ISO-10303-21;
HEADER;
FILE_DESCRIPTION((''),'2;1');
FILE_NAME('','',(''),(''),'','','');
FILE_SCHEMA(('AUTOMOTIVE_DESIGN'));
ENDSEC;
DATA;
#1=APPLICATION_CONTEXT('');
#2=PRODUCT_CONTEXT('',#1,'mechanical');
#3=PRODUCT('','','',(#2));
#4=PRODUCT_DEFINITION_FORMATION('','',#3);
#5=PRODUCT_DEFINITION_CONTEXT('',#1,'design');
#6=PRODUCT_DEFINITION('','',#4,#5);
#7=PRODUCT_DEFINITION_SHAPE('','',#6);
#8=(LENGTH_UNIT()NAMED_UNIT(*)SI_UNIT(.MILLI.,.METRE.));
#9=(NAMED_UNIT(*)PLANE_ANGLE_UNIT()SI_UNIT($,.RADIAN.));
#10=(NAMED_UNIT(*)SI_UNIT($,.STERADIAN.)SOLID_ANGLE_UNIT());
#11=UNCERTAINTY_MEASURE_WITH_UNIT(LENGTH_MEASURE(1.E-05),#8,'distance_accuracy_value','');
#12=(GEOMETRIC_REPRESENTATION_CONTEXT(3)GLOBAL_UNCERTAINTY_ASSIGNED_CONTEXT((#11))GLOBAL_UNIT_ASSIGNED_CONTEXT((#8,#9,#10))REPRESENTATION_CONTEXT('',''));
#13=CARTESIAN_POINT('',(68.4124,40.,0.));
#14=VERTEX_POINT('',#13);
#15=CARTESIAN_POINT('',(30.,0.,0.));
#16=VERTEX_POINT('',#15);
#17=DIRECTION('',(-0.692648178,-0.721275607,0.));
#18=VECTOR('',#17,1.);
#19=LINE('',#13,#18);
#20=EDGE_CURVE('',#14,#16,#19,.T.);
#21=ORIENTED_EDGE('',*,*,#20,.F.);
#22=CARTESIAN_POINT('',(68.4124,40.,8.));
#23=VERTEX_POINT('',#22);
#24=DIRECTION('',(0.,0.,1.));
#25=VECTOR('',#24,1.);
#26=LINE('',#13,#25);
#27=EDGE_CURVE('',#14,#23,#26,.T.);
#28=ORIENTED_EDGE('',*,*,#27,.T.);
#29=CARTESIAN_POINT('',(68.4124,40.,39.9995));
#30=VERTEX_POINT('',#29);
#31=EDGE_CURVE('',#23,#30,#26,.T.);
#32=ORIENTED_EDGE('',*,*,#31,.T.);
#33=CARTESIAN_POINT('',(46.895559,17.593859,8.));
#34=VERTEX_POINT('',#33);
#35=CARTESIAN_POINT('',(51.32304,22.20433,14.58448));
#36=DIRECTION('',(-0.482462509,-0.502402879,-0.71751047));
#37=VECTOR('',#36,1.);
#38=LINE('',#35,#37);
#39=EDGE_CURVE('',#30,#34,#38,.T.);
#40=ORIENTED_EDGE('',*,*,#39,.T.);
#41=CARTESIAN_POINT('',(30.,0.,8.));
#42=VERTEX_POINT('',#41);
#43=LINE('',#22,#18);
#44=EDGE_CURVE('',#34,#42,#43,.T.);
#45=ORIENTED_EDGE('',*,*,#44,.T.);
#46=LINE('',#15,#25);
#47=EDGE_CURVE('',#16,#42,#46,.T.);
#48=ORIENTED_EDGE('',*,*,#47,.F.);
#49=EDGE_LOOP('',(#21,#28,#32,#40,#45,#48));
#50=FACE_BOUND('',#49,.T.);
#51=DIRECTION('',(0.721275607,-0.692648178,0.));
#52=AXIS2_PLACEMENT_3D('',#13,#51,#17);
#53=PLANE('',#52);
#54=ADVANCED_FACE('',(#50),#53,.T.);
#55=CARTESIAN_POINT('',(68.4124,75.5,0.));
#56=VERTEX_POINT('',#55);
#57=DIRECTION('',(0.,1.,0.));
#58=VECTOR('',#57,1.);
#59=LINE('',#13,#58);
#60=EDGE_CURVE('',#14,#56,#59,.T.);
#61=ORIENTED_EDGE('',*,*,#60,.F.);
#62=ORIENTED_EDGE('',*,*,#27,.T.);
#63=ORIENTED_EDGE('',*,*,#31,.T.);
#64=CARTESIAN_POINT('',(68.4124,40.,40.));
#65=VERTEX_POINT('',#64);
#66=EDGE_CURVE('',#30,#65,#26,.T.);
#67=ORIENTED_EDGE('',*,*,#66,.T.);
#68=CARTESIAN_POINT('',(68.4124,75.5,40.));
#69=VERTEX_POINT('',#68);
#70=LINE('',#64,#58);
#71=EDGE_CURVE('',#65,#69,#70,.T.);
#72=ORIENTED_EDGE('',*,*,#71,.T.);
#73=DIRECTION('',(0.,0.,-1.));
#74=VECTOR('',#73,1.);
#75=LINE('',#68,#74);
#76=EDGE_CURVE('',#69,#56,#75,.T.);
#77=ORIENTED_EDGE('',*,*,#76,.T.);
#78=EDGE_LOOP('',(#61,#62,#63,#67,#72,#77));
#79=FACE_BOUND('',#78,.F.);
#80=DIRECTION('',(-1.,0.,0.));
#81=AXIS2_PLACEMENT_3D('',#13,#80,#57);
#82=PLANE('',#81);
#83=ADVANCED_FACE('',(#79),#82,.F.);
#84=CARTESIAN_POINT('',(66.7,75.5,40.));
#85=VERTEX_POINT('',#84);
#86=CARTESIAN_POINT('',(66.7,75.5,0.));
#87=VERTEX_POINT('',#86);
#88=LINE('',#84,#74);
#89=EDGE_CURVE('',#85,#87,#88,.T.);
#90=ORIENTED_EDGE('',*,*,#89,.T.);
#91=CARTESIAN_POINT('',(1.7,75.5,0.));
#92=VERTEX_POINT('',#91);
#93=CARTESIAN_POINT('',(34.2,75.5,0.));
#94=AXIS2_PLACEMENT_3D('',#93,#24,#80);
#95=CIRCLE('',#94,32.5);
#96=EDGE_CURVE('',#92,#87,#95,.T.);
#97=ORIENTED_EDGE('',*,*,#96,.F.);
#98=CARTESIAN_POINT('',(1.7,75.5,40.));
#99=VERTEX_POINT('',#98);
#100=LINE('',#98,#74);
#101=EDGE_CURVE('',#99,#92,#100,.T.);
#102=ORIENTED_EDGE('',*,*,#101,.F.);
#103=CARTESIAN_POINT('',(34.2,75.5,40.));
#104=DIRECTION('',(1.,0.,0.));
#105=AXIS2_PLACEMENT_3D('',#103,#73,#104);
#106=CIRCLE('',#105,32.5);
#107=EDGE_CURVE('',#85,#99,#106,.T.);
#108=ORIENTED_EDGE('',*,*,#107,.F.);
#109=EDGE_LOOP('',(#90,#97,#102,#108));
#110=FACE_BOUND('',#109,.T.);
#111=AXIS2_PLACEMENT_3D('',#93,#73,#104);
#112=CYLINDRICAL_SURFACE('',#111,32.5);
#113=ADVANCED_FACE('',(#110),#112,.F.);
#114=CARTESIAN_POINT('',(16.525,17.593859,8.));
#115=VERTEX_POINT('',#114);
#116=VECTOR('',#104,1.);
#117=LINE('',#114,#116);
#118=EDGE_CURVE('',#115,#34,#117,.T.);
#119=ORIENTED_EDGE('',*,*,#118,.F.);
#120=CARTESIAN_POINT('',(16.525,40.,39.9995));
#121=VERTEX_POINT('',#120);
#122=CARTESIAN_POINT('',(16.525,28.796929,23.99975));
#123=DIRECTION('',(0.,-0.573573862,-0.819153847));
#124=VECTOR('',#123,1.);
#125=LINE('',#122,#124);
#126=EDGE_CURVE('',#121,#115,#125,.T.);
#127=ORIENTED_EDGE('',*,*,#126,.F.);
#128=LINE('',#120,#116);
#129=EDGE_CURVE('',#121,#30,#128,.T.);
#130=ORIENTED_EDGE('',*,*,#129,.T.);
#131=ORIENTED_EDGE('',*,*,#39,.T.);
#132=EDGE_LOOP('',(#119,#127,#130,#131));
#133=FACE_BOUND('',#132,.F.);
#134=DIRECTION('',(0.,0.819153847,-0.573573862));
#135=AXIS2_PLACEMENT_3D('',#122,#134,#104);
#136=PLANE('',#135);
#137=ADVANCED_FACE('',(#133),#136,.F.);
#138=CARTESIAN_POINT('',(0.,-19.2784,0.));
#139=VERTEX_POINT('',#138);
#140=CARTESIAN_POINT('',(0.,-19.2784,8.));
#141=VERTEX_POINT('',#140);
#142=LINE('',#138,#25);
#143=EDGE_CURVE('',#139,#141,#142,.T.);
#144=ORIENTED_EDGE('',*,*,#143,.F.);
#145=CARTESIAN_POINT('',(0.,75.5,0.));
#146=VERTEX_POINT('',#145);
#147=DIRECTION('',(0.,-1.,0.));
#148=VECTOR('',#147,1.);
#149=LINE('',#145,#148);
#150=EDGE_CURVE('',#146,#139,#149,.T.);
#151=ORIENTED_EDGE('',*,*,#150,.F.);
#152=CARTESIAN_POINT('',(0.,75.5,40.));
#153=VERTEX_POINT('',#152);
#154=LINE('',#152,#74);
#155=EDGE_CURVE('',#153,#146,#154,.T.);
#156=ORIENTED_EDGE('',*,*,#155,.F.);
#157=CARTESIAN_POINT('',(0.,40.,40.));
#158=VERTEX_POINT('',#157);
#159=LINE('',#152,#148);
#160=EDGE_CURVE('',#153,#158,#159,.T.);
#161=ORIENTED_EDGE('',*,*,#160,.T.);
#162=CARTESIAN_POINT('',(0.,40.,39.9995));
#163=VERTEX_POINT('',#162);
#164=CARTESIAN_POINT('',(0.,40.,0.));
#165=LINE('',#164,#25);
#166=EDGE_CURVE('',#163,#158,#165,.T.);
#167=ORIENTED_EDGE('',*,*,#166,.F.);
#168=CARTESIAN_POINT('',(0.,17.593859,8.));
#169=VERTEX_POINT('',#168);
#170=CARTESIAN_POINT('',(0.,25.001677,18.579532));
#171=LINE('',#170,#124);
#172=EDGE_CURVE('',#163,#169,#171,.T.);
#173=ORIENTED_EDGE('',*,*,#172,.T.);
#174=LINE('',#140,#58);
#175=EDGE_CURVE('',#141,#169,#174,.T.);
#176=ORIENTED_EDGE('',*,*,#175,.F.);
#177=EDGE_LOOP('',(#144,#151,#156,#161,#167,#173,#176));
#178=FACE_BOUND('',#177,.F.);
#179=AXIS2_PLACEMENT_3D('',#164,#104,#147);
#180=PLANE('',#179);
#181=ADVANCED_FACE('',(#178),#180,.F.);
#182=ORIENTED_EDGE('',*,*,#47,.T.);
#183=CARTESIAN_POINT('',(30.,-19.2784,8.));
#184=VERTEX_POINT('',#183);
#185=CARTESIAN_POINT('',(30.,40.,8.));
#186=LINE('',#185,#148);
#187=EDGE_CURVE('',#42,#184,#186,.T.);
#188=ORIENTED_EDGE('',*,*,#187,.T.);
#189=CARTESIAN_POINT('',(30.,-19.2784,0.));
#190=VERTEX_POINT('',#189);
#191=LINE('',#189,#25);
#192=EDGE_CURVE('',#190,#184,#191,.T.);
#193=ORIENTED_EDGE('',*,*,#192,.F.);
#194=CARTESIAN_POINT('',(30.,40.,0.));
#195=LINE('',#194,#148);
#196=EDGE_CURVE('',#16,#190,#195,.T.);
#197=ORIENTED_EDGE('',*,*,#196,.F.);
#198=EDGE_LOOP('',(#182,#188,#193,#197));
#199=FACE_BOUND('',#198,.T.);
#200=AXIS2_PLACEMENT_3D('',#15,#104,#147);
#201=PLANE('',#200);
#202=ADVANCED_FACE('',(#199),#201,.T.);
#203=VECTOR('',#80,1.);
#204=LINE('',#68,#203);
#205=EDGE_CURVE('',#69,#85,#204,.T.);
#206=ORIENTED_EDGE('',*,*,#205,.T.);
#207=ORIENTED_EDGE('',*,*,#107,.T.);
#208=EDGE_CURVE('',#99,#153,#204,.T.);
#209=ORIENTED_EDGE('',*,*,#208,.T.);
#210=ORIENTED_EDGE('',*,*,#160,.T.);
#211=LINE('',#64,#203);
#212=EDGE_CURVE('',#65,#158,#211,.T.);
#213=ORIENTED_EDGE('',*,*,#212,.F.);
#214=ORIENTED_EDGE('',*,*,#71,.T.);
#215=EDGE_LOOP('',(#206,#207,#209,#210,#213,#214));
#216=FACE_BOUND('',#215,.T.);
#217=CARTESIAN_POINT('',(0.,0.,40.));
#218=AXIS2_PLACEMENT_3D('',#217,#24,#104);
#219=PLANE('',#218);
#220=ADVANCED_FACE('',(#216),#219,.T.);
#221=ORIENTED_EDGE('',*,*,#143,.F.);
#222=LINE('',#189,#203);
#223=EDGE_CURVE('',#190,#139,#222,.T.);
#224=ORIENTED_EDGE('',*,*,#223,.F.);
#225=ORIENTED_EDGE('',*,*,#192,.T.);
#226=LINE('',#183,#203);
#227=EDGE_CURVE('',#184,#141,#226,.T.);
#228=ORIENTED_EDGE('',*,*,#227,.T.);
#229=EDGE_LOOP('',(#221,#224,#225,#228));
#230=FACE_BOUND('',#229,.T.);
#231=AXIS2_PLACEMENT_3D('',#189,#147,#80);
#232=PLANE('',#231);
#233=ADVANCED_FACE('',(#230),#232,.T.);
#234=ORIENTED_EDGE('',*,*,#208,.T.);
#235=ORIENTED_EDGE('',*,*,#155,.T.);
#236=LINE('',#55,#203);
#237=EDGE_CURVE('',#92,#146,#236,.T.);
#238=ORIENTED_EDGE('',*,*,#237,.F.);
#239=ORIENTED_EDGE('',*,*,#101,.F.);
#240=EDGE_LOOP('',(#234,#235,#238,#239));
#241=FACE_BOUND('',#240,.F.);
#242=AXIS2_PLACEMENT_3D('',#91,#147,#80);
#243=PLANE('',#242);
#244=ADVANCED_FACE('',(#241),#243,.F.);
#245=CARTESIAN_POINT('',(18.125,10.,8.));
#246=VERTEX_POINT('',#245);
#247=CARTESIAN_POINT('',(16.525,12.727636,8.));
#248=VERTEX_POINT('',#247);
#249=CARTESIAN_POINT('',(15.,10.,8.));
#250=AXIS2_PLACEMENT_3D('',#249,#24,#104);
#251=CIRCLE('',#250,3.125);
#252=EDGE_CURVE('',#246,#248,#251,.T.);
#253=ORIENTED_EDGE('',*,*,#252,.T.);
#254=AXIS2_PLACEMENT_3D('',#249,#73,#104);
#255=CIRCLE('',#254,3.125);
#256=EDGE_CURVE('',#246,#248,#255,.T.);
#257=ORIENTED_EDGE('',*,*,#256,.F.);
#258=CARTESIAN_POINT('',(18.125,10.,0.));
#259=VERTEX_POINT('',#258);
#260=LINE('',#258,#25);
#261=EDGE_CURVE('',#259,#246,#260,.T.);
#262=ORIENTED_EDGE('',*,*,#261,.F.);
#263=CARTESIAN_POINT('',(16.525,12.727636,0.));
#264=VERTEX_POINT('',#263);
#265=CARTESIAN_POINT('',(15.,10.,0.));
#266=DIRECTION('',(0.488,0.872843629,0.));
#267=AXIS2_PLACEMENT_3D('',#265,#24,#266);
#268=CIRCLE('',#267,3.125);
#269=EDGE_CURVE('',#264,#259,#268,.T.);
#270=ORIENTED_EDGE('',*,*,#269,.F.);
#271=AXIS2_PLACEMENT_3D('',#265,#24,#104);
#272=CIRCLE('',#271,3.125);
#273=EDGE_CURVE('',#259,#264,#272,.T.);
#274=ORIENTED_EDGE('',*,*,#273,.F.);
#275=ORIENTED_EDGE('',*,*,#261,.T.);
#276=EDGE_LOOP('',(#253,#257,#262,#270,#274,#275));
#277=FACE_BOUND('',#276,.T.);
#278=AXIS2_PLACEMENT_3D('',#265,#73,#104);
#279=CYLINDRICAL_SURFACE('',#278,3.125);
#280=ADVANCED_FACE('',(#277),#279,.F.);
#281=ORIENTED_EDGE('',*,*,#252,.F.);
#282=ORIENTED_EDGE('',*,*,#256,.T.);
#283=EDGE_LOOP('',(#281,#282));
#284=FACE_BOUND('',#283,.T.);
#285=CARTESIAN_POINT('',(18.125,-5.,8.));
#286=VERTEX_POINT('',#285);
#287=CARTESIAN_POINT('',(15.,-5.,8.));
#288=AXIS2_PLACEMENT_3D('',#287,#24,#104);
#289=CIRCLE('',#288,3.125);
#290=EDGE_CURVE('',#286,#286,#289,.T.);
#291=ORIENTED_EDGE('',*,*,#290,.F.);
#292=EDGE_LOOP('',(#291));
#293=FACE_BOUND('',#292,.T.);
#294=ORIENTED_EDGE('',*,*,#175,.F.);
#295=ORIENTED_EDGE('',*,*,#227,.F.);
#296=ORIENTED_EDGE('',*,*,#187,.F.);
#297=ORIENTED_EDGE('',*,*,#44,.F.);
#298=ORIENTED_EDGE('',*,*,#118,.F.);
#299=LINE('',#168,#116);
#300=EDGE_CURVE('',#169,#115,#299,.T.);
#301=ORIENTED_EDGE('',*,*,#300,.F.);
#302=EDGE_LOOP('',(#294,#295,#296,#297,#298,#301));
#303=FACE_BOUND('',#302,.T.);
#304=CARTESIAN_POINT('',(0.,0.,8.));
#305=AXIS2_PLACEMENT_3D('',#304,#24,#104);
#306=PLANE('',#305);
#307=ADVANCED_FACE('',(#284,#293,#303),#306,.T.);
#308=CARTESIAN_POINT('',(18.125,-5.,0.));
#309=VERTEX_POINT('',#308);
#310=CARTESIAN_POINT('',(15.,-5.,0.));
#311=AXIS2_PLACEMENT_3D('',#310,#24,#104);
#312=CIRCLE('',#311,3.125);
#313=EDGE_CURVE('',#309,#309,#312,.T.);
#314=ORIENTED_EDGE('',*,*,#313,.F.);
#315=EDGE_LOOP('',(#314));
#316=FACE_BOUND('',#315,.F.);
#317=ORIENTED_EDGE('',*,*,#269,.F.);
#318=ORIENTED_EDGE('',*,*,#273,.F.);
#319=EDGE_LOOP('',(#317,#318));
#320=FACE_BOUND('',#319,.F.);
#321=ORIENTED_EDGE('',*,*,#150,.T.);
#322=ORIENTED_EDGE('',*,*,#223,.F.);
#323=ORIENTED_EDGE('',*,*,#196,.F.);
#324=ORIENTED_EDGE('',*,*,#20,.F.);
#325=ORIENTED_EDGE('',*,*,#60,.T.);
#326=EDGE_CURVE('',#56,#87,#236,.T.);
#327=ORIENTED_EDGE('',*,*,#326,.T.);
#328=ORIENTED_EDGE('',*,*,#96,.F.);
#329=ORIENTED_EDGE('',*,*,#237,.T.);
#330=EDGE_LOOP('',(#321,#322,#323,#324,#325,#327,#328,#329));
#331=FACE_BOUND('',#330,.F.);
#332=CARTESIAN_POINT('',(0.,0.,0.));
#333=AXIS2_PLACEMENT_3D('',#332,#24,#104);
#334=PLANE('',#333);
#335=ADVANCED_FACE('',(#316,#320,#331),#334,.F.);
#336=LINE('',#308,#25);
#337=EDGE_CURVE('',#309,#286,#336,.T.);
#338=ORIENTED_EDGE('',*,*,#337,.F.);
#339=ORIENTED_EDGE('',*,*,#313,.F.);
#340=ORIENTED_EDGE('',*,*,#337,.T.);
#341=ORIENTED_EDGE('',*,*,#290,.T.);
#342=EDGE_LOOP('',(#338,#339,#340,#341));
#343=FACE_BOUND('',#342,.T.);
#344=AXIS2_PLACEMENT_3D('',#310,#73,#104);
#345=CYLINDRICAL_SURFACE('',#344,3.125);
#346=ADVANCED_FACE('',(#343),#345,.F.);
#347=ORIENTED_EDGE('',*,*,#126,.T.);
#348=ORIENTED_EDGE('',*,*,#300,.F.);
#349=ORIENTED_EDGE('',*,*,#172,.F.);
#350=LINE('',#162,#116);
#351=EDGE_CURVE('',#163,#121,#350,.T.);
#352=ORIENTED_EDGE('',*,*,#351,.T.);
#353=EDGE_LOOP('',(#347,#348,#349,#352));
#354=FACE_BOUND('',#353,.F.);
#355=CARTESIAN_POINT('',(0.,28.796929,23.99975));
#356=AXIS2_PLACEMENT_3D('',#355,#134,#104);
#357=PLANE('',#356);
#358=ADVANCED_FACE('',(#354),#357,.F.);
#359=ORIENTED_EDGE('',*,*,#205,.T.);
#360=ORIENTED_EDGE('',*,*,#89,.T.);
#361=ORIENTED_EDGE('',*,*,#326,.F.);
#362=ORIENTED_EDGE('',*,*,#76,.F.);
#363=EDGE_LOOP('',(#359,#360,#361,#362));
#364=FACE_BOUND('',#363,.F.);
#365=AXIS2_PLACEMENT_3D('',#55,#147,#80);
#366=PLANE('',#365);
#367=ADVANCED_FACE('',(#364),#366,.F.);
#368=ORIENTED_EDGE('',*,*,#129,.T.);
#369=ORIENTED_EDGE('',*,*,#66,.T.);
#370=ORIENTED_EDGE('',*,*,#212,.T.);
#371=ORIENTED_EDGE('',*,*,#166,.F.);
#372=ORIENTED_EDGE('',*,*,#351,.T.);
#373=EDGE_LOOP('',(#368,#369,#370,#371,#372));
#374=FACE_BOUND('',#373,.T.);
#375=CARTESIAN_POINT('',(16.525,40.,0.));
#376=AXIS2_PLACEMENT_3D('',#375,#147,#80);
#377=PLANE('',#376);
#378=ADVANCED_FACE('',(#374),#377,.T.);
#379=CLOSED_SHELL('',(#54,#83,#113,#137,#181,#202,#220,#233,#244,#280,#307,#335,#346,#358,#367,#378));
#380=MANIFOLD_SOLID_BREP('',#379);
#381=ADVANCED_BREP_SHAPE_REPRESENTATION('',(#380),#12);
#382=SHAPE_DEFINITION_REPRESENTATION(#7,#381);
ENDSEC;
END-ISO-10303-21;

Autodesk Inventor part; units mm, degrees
ref_plane "YZ Plane" through (0, 0, 0) normal (1, 0, 0) x (0, 1, 0)
ref_plane "XZ Plane" through (0, 0, 0) normal (0, 1, 0) x (-1, 0, 0)
ref_plane "XY Plane" through (0, 0, 0) normal (0, 0, 1) x (1, 0, 0)
sketch "Sketch1" plane through (0, 0, 0) normal (0, 0, 1) x (1, 0, 0)
  line L0 (0, 0) -> (30, 0)
  line L1 (30, 0) -> (30, 40)
  line L2 (30, 40) -> (0, 40)
  line L3 (0, 40) -> (0, 0)
  circle A0 centre (15, 10) radius 3.125
  circle A1 centre (15, -5) radius 3.125
  line L4 (51.875, 74) -> (51.875, 6) construction
  line L5 (51.875, 6) -> (16.525, 6) construction
  line L6 (16.525, 6) -> (16.525, 74)
  line L7 (51.875, 40) -> (34.2, 40)
  line L8 (34.2, 40) -> (34.2, 75.5)
  circle A2 centre (34.2, 75.5) radius 32.5
  line L9 (0, 40) -> (68.4124, 40)
  line L10 (68.4124, 40) -> (68.4124, 75.5)
  line L11 (68.4124, 75.5) -> (0, 75.5)
  line L12 (0, 75.5) -> (0, 40)
  line L13 (68.4124, 40) -> (30, 0)
  line L14 (0, 40) -> (30, 40)
  line L15 (30, 40) -> (30, -19.2784)
  line L16 (30, -19.2784) -> (0, -19.2784)
  line L17 (0, -19.2784) -> (0, 40)
  point P0 (15, 40)
  point P1 (34.2062, 75.5)
  point P2 (1.7, 75.5)
  point P3 (66.7, 75.5)
  dimension "d0" = 30
  dimension "d1" = 15
  dimension "d2" = 15
  dimension "d3" = 40
  dimension "d4" = 6.25
  dimension "d5" = 6.25
  dimension "d6" = 30
  dimension "d7" = 35.35
  dimension "d8" = 13.475
  dimension "d10" = 34
  dimension "d11" = 35.5
  dimension "d12" = 65
  dimension "d13" = 34.2062
  dimension "d15" = 34.2062
extrude "Extrusion1" add sketch "Sketch1" along normal blind 8 contours L3 L2 L1 L0 | L0 L15 L16 L17 | L1 L9 L7 L13 | L12 L11 A2 L6 L2 | L2 L6 A2 L8 L9 | L9 L7 L8 A2 L11 L10
extrude "Extrusion2" add sketch "Sketch1" along normal blind 40 contours L12 L11 A2 L6 L2 | L2 L6 A2 L8 L9 | L9 L7 L8 A2 L11 L10
chamfer "Chamfer1" distance 32 angle 35 1 edges at (34.2062, 40, 8) measured on face at (22.8041, 40, 18.6667)
properties part number "motorsupport"
